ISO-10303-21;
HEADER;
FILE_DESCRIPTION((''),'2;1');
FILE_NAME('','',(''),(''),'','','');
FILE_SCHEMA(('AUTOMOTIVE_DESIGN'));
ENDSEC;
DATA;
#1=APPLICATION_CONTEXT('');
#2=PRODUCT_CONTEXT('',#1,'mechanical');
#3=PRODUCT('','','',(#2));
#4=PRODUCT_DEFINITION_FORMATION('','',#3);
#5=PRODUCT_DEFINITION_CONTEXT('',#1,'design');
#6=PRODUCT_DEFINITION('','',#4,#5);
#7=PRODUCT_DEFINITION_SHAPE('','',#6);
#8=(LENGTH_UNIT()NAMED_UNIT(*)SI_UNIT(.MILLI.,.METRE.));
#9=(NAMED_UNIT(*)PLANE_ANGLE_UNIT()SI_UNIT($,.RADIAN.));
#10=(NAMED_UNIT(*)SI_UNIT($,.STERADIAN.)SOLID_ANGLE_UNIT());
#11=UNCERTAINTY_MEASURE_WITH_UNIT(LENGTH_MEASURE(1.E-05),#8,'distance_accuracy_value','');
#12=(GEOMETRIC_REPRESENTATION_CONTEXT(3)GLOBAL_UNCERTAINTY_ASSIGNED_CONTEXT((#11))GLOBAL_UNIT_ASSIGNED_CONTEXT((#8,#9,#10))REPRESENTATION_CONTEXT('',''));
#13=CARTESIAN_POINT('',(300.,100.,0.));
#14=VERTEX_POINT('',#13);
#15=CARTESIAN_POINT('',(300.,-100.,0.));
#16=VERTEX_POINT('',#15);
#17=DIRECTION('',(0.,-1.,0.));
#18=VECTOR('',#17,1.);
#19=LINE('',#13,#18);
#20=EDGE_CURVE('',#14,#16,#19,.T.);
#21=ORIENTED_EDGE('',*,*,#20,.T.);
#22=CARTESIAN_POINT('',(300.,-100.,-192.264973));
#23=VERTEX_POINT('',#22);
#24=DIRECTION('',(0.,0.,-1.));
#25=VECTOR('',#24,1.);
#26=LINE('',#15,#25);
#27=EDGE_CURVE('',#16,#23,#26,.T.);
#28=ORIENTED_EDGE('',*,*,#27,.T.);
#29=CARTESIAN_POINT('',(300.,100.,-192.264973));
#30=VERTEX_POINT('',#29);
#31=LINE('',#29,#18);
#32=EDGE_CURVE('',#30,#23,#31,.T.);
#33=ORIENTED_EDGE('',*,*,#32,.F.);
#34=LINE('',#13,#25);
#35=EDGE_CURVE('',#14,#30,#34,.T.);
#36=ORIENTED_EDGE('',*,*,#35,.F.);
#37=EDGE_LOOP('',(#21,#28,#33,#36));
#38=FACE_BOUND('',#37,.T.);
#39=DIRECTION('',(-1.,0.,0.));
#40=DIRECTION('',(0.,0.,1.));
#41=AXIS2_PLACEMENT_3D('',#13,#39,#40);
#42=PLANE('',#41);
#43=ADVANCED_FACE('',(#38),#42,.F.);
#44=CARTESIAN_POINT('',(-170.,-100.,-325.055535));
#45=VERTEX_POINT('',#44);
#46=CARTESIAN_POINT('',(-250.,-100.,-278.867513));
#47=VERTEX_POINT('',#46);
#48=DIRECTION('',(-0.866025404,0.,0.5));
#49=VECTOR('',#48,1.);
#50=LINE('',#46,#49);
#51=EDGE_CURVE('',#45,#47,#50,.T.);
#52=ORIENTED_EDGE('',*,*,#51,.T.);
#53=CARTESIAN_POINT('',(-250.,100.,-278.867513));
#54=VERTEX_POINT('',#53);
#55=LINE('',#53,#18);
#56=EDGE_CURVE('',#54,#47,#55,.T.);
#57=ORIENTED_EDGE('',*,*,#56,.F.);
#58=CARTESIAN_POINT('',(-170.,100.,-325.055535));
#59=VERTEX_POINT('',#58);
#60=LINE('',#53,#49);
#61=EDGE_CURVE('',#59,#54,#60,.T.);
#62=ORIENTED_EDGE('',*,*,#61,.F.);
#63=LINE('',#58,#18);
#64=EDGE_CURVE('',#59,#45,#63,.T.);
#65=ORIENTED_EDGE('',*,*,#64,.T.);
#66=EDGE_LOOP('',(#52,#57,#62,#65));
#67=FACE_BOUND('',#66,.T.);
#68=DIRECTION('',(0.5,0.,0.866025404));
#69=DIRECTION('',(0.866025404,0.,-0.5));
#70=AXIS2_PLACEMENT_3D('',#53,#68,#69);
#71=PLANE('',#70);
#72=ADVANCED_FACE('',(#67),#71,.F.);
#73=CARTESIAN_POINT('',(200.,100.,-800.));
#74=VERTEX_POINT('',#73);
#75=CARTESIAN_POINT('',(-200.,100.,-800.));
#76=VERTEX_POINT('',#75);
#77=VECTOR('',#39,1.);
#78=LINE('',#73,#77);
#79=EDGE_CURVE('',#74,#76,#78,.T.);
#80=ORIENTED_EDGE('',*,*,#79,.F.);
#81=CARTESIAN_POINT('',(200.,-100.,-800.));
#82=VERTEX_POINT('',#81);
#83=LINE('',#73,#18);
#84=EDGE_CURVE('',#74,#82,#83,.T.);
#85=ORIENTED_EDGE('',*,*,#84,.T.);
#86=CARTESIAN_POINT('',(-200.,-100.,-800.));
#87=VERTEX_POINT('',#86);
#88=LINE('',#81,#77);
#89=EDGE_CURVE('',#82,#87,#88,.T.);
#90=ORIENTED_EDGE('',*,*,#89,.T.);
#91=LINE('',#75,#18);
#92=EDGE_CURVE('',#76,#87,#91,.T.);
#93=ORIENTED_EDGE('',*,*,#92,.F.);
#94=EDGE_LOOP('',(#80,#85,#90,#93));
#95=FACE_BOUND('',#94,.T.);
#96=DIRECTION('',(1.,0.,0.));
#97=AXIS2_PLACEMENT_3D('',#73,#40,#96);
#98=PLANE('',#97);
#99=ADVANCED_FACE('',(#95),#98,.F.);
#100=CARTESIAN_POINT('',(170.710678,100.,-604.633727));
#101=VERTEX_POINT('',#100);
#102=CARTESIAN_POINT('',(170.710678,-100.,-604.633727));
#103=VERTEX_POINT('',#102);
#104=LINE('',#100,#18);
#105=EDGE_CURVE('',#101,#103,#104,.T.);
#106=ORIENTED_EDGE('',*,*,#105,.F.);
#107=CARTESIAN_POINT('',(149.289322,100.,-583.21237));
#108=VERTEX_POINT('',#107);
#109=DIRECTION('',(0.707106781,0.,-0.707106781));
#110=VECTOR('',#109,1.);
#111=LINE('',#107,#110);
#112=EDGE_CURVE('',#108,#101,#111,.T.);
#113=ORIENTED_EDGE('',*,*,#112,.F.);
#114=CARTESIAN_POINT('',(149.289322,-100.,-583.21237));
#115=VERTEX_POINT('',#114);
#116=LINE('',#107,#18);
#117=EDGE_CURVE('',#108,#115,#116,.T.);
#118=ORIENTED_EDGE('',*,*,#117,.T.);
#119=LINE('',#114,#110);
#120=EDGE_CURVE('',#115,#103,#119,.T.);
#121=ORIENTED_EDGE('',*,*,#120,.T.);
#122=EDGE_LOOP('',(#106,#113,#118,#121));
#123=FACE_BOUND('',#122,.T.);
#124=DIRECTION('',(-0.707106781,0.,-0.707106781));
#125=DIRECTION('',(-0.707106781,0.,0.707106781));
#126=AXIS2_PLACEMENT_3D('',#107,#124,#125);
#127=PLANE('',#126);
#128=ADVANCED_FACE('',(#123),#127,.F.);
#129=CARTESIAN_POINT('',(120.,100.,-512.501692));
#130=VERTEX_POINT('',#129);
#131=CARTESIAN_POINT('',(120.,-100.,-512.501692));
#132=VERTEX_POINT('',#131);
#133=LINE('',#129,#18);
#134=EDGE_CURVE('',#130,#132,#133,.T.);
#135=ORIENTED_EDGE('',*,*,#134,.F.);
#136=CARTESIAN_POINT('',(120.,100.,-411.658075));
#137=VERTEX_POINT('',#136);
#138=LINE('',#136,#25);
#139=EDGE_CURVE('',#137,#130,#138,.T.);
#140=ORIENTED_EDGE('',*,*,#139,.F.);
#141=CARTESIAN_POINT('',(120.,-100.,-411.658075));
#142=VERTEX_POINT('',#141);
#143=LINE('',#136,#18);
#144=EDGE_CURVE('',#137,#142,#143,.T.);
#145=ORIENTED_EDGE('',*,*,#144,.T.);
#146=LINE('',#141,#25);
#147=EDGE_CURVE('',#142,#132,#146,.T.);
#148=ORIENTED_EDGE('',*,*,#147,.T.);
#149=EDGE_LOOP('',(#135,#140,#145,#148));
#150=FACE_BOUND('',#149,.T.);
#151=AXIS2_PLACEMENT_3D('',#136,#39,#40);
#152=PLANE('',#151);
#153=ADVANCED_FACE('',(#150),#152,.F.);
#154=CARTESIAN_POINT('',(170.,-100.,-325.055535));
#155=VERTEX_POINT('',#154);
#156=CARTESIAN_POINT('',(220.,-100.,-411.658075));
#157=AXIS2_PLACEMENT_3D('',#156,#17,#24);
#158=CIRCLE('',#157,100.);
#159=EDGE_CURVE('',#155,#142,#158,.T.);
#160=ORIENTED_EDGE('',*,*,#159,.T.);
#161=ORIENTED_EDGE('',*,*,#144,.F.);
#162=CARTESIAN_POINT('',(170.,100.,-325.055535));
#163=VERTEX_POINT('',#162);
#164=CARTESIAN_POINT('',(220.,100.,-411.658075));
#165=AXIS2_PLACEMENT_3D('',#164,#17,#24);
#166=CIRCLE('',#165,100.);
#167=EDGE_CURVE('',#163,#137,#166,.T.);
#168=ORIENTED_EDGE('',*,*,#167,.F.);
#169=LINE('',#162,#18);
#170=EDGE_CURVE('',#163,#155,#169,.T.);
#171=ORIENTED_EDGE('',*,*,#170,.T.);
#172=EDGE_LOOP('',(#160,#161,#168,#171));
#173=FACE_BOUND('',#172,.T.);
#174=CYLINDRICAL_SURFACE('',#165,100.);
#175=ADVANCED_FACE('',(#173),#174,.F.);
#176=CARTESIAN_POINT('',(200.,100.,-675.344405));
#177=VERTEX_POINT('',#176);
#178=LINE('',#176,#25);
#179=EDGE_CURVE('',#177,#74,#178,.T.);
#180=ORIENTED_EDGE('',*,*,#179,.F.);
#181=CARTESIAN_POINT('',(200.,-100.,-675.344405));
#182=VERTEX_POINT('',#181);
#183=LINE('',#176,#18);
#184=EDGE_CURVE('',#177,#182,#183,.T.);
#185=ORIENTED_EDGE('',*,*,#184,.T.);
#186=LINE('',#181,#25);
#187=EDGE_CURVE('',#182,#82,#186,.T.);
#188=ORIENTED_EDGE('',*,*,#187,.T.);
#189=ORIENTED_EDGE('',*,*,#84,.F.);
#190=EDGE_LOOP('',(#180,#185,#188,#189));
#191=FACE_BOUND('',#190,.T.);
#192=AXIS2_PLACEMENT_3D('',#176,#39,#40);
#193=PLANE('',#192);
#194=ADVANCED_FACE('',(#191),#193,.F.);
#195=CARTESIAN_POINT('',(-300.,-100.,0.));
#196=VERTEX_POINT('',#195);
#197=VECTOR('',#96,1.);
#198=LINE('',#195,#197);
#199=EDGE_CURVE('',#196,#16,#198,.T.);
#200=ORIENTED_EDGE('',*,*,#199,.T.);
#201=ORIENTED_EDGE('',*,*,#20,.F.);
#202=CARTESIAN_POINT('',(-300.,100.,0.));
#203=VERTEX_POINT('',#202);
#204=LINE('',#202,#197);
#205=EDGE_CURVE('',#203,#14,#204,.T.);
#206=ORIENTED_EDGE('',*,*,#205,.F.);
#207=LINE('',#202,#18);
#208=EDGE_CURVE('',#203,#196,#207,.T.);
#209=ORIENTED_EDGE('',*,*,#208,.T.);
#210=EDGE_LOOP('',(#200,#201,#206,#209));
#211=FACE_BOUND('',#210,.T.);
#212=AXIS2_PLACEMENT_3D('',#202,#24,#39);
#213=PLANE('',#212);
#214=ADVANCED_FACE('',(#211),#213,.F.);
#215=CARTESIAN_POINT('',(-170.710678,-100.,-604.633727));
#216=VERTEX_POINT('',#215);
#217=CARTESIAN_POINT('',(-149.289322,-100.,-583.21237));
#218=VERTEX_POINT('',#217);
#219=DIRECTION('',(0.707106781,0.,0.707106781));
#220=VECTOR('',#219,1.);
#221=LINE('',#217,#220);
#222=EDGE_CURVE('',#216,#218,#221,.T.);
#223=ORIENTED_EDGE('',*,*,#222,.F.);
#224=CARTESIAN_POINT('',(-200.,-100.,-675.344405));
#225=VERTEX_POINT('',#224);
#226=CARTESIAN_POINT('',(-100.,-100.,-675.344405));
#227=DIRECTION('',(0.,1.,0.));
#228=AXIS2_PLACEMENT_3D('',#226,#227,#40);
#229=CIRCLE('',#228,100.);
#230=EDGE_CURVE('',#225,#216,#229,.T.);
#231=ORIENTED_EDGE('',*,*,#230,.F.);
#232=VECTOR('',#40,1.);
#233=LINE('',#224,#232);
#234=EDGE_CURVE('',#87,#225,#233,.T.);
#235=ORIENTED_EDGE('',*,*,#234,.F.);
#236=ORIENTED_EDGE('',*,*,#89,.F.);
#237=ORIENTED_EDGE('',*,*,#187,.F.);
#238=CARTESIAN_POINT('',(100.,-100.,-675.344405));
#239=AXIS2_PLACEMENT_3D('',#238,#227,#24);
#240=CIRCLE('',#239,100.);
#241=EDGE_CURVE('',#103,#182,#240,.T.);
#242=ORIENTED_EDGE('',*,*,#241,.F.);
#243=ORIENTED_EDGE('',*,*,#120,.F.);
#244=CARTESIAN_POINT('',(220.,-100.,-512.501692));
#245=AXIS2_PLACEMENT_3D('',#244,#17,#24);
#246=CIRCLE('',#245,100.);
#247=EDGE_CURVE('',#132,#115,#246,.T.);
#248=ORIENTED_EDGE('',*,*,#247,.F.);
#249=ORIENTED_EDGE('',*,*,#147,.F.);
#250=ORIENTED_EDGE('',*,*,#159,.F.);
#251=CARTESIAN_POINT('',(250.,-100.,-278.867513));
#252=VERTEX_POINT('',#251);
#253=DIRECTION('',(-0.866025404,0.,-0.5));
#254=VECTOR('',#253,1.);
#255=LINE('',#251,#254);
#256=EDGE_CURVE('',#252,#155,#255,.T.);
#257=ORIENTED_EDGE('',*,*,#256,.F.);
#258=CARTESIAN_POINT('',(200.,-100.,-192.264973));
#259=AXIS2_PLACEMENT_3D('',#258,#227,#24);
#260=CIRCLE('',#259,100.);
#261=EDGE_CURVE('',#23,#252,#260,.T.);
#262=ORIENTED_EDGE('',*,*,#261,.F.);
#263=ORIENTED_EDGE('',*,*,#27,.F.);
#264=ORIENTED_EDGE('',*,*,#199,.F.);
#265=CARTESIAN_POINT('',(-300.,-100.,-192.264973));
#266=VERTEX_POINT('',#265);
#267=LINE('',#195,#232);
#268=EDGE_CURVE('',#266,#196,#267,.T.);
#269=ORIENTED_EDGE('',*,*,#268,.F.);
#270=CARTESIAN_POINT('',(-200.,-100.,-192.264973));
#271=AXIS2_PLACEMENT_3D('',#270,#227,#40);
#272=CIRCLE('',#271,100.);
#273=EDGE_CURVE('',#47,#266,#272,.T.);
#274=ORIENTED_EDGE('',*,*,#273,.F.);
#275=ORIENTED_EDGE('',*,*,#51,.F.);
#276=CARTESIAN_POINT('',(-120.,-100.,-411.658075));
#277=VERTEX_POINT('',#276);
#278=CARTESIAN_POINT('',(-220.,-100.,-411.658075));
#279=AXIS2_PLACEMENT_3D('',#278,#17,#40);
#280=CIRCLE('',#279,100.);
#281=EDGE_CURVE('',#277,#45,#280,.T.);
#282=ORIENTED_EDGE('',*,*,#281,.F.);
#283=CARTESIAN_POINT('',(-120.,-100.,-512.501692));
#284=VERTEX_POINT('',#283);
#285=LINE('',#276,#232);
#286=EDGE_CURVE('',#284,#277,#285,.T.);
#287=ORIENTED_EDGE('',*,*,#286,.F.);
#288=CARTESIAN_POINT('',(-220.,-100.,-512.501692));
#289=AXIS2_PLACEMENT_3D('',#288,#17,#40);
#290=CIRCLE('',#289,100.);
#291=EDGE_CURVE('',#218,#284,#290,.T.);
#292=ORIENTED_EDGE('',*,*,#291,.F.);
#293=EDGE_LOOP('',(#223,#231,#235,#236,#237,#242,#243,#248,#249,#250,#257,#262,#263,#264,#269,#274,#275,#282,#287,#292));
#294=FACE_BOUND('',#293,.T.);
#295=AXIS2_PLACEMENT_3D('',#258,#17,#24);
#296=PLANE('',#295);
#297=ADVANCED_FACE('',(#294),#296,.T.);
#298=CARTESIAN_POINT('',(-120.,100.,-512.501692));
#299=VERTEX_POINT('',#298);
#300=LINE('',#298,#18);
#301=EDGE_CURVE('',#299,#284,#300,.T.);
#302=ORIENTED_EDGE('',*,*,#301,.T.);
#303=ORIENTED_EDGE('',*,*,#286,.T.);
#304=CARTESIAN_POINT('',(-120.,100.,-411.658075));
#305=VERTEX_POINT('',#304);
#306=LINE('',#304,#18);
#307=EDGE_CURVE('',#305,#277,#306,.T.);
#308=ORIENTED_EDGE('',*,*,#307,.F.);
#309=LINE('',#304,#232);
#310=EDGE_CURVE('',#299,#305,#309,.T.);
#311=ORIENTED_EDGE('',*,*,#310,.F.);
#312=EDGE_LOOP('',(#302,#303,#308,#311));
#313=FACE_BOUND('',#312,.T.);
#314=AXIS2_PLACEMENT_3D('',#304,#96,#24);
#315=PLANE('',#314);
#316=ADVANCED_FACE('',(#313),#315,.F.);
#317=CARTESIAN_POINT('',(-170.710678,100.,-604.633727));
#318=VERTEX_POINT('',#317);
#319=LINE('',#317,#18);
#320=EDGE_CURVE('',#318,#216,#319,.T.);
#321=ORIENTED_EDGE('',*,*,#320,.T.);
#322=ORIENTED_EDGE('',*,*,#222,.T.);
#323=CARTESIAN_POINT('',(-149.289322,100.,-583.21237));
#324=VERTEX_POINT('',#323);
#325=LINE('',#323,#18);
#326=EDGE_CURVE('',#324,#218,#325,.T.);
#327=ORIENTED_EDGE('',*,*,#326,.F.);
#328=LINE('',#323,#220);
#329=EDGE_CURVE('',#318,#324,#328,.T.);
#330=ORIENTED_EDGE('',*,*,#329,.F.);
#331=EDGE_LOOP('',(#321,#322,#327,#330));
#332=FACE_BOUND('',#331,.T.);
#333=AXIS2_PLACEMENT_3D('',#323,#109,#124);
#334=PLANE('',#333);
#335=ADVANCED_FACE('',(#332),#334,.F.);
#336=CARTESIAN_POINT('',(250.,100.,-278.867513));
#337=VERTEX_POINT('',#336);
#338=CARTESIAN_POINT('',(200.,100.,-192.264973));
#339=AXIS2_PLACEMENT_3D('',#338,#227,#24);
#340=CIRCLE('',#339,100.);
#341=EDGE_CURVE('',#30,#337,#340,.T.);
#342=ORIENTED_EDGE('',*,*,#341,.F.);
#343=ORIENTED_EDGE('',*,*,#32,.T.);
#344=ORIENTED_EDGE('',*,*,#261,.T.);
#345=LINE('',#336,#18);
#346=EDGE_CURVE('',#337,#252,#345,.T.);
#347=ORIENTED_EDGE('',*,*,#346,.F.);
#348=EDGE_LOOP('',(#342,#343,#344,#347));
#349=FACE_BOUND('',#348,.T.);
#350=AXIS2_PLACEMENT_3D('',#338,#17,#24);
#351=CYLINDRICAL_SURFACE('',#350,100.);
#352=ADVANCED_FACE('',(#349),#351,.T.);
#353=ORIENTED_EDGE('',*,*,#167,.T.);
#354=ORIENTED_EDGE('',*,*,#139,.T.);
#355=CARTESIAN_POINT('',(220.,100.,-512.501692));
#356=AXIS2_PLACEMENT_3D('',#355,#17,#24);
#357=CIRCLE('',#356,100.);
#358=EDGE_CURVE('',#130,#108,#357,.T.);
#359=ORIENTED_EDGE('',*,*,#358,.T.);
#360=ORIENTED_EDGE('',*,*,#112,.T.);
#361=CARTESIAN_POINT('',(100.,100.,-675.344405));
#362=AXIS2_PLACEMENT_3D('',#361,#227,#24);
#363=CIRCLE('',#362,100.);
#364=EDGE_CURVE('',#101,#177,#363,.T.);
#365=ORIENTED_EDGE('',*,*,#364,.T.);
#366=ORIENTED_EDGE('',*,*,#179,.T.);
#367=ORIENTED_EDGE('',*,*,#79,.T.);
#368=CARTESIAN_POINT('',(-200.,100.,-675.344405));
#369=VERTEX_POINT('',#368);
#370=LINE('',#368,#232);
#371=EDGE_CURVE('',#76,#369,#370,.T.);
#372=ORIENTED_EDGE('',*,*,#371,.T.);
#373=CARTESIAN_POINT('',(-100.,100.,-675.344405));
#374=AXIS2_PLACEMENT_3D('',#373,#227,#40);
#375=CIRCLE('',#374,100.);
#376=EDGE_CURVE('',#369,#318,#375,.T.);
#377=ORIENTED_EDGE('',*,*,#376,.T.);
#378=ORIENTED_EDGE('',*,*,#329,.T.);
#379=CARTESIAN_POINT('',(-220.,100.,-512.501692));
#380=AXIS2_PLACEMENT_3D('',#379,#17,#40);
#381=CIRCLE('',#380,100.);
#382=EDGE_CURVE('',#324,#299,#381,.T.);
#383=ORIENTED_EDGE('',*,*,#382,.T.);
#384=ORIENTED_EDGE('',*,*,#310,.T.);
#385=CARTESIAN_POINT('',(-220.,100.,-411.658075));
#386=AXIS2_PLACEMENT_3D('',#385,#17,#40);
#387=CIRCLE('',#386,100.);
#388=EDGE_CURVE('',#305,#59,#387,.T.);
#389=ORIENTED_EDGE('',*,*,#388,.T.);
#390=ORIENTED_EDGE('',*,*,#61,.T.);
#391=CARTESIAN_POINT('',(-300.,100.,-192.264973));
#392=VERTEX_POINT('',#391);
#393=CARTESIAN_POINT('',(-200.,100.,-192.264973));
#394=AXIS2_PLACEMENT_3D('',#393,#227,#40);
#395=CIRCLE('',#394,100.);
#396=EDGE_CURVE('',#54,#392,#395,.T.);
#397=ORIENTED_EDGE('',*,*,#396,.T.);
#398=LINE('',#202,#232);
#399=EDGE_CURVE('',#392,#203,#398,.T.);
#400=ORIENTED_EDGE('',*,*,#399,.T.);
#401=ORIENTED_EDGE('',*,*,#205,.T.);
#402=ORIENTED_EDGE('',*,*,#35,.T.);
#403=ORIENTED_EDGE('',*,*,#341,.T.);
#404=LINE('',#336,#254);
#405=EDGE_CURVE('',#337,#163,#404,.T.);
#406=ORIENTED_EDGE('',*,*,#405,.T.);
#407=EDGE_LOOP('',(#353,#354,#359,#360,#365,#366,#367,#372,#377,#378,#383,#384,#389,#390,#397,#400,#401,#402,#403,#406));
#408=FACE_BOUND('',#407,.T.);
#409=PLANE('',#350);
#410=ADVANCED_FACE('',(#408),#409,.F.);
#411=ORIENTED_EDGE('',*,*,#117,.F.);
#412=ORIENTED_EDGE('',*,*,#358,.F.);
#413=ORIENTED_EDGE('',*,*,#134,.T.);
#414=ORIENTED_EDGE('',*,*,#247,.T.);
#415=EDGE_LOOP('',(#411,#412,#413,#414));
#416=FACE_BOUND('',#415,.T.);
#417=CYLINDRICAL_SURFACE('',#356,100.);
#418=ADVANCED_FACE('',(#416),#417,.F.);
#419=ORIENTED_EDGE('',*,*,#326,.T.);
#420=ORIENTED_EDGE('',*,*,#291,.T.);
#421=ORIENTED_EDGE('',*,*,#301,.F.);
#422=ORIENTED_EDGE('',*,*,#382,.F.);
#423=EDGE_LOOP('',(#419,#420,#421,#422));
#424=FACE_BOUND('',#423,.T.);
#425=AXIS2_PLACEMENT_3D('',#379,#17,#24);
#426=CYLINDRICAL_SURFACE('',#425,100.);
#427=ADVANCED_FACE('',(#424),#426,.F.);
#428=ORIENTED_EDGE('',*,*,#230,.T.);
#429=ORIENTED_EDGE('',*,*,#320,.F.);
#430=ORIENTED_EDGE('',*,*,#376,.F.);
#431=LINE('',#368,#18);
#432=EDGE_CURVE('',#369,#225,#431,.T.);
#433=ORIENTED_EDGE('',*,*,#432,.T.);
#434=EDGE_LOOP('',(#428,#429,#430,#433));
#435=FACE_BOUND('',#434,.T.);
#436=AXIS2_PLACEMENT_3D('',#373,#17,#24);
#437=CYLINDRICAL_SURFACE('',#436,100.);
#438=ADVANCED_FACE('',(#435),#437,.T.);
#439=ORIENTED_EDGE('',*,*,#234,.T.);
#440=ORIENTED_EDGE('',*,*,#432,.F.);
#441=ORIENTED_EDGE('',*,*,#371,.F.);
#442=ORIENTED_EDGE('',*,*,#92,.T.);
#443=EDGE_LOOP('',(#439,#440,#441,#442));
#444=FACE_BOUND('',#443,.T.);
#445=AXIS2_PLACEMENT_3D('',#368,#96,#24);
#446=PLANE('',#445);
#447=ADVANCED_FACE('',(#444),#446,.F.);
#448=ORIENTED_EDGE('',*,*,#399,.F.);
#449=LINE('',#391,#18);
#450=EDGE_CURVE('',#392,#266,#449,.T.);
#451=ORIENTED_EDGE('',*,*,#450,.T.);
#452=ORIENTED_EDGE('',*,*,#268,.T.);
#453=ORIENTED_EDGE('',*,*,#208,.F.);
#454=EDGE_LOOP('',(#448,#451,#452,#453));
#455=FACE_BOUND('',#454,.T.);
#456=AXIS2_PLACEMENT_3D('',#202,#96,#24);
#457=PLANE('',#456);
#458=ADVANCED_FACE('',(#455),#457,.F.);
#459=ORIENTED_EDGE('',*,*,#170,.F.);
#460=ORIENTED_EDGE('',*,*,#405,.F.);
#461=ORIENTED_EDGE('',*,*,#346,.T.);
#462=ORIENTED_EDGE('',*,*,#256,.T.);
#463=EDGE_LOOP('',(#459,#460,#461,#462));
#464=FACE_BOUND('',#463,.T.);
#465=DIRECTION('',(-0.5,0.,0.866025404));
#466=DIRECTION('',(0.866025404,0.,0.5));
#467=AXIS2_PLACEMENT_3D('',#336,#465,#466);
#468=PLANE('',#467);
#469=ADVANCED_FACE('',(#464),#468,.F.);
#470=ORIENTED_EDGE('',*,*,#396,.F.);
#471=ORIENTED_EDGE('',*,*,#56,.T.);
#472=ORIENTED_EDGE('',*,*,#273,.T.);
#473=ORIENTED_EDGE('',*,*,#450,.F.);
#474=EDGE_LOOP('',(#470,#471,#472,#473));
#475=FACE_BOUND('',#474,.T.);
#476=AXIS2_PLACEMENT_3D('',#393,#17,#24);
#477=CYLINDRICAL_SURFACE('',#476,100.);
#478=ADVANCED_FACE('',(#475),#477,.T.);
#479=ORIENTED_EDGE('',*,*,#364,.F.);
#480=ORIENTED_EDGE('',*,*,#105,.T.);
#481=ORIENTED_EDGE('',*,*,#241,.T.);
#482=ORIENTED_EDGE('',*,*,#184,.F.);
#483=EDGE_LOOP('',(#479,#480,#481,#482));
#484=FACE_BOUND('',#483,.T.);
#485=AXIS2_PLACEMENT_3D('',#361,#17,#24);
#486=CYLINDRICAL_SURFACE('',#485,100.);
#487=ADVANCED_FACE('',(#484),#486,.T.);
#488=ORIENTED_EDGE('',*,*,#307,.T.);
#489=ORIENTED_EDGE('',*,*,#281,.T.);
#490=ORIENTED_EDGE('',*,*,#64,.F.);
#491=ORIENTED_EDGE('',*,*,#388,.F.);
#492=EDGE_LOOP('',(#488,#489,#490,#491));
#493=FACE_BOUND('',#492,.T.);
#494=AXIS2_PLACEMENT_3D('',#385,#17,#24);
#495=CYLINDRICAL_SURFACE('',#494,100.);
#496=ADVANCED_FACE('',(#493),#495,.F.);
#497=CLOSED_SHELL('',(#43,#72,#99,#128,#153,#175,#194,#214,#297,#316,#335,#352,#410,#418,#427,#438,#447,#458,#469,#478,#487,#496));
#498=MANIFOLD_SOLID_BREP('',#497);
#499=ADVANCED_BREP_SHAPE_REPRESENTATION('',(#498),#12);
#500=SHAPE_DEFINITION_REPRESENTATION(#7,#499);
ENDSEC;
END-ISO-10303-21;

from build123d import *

# Parameters (mm, degrees)
BOSS_EXTRUDE1_DEPTH = 100


with BuildPart() as part:
    # Sketch1 → Boss-Extrude1 (new, symmetric)
    with BuildSketch(Plane(origin=(0, 0, 0), x_dir=(1, 0, 0), z_dir=(0, 1, 0))):
        with BuildLine():
            Line((-300, 0), (300, 0))
            Line((300, 0), (300, 192.264973081))
            ThreePointArc((300, 192.264973081), (286.602540378, 242.264973081), (250, 278.867513459))
            Line((250, 278.867513459), (170, 325.055534995))
            ThreePointArc((170, 325.055534995), (133.397459622, 361.658075373), (120, 411.658075373))
            Line((120, 411.658075373), (120, 512.501692217))
            ThreePointArc((120, 512.501692217), (127.612046749, 550.770035453), (149.289321881, 583.212370335))
            Line((149.289321881, 583.212370335), (170.710678119, 604.633726573))
            ThreePointArc((170.710678119, 604.633726573), (192.387953251, 637.076061455), (200, 675.344404691))
            Line((200, 675.344404691), (200, 800))
            Line((200, 800), (-200, 800))
            Line((-200, 800), (-200, 675.344404691))
            ThreePointArc((-200, 675.344404691), (-192.387953251, 637.076061455), (-170.710678119, 604.633726573))
            Line((-170.710678119, 604.633726573), (-149.289321881, 583.212370335))
            ThreePointArc((-149.289321881, 583.212370335), (-127.612046749, 550.770035453), (-120, 512.501692217))
            Line((-120, 512.501692217), (-120, 411.658075373))
            ThreePointArc((-120, 411.658075373), (-133.397459622, 361.658075373), (-170, 325.055534995))
            Line((-170, 325.055534995), (-250, 278.867513459))
            ThreePointArc((-250, 278.867513459), (-286.602540378, 242.264973081), (-300, 192.264973081))
            Line((-300, 192.264973081), (-300, 0))
        make_face()
    extrude(amount=BOSS_EXTRUDE1_DEPTH, both=True)


solid = part.part
